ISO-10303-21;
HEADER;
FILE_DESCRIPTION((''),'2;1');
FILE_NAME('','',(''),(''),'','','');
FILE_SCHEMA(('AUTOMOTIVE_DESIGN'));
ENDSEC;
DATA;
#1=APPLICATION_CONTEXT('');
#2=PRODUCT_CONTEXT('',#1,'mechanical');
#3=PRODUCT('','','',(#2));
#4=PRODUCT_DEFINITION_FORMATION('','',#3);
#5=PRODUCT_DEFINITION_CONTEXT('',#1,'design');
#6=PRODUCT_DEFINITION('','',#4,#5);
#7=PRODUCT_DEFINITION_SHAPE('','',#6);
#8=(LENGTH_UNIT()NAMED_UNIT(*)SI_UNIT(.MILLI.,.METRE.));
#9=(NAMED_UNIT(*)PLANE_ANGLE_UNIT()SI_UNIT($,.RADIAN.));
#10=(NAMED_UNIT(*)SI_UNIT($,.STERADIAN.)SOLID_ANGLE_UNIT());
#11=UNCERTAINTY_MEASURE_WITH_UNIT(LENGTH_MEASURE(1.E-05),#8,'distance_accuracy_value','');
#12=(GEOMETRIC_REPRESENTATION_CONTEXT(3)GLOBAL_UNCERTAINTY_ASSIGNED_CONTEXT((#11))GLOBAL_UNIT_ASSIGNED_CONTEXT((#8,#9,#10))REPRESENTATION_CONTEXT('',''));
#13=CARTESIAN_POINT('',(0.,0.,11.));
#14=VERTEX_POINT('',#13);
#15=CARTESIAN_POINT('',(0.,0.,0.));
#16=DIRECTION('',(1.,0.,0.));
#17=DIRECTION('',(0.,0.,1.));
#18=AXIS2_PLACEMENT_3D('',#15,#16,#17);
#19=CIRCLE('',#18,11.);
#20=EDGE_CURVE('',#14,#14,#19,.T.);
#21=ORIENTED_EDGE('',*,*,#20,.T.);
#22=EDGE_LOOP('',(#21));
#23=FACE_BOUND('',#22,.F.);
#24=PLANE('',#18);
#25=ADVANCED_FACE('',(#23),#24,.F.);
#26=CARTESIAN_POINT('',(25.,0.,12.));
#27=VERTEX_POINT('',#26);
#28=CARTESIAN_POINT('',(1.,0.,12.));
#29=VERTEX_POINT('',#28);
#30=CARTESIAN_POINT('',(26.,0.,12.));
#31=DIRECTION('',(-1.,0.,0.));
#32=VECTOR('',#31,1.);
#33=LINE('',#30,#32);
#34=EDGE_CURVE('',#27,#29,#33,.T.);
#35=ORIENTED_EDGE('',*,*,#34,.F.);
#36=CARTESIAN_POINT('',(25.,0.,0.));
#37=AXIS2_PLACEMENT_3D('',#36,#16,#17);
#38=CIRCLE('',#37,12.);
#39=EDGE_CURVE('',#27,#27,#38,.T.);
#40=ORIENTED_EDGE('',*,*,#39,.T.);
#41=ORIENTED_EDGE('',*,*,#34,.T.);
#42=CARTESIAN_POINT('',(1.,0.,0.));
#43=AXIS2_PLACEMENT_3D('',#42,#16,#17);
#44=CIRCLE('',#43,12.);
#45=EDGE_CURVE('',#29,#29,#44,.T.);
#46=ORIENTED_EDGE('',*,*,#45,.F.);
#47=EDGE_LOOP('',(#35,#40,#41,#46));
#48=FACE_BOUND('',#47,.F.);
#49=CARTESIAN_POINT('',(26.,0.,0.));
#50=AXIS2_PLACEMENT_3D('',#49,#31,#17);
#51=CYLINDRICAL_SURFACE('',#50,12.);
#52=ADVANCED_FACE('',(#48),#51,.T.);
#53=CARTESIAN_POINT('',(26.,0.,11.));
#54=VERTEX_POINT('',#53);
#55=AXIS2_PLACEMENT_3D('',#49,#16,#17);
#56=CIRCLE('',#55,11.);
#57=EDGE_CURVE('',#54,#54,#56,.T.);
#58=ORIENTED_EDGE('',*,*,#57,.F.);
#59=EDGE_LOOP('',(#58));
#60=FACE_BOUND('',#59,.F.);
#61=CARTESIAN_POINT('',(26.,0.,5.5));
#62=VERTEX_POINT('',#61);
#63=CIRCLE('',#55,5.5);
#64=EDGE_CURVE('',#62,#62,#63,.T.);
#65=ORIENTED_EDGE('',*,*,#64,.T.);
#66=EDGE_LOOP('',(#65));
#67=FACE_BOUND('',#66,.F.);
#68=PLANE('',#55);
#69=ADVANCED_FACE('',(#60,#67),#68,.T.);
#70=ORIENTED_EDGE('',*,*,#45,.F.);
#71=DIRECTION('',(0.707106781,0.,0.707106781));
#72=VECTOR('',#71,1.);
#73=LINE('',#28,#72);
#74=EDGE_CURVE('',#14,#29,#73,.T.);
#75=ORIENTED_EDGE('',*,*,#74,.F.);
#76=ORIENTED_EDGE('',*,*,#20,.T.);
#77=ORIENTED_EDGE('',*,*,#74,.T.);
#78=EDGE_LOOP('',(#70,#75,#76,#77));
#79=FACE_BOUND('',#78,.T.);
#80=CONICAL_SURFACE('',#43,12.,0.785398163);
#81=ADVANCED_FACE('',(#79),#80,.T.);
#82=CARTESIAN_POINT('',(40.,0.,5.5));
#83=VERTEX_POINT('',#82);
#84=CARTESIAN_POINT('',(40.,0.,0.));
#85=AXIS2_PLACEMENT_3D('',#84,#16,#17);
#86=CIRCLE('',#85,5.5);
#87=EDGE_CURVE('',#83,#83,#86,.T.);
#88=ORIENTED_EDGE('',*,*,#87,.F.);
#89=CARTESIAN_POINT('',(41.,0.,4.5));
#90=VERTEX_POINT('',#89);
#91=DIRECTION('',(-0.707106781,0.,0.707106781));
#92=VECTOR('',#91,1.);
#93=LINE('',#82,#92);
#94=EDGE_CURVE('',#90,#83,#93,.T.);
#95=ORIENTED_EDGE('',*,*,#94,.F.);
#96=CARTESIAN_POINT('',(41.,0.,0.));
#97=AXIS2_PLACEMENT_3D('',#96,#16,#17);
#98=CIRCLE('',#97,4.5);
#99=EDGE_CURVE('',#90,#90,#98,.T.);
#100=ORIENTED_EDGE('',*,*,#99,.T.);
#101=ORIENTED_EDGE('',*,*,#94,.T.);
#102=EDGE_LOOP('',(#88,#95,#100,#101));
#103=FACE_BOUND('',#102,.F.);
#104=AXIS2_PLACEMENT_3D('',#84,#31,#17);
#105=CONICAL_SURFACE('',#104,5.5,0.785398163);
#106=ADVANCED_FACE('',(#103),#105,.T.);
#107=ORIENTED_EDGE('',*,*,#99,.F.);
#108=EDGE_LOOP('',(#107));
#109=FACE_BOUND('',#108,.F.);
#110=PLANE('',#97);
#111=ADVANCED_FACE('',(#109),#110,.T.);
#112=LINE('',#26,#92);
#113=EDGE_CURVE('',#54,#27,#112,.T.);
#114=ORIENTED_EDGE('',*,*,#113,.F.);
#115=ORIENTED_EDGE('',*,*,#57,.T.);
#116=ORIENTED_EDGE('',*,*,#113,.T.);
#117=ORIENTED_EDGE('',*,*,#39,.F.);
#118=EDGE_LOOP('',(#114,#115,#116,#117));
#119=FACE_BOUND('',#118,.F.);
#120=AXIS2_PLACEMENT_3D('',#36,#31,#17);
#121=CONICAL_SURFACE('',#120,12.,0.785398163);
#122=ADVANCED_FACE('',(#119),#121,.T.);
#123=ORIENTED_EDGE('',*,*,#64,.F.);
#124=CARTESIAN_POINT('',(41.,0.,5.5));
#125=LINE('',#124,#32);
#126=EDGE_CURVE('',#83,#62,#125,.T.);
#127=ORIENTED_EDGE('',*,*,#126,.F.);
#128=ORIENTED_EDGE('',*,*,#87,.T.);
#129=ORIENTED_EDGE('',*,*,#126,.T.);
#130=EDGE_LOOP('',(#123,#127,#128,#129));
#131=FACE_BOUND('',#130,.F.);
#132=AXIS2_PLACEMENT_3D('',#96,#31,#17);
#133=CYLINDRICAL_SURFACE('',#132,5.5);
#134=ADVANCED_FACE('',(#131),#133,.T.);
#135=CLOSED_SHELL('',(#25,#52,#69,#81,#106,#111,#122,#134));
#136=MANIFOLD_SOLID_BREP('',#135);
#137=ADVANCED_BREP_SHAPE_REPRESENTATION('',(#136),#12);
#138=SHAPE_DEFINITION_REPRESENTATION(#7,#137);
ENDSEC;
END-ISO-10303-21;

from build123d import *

# Parameters (mm, degrees)
F2_SIZE = 1


with BuildPart() as f1:
    # F0 (on Front) → F1 (revolve)
    with BuildSketch(Plane.XZ):
        Polygon((0, 12), (0, 0), (41, 0), (41, 5.5), (26, 5.5), (26, 12), align=None)
    revolve(axis=Axis((19.196044, 0, 0), (1, 0, 0)))

    # F2
    f2_edges = [f1.edges().sort_by_distance(p)[0] for p in [
        (0, 0, -12),
        (26, 0, -12),
        (41, 0, -5.5),
    ]]
    chamfer(f2_edges, length=F2_SIZE)


solid = f1.part
